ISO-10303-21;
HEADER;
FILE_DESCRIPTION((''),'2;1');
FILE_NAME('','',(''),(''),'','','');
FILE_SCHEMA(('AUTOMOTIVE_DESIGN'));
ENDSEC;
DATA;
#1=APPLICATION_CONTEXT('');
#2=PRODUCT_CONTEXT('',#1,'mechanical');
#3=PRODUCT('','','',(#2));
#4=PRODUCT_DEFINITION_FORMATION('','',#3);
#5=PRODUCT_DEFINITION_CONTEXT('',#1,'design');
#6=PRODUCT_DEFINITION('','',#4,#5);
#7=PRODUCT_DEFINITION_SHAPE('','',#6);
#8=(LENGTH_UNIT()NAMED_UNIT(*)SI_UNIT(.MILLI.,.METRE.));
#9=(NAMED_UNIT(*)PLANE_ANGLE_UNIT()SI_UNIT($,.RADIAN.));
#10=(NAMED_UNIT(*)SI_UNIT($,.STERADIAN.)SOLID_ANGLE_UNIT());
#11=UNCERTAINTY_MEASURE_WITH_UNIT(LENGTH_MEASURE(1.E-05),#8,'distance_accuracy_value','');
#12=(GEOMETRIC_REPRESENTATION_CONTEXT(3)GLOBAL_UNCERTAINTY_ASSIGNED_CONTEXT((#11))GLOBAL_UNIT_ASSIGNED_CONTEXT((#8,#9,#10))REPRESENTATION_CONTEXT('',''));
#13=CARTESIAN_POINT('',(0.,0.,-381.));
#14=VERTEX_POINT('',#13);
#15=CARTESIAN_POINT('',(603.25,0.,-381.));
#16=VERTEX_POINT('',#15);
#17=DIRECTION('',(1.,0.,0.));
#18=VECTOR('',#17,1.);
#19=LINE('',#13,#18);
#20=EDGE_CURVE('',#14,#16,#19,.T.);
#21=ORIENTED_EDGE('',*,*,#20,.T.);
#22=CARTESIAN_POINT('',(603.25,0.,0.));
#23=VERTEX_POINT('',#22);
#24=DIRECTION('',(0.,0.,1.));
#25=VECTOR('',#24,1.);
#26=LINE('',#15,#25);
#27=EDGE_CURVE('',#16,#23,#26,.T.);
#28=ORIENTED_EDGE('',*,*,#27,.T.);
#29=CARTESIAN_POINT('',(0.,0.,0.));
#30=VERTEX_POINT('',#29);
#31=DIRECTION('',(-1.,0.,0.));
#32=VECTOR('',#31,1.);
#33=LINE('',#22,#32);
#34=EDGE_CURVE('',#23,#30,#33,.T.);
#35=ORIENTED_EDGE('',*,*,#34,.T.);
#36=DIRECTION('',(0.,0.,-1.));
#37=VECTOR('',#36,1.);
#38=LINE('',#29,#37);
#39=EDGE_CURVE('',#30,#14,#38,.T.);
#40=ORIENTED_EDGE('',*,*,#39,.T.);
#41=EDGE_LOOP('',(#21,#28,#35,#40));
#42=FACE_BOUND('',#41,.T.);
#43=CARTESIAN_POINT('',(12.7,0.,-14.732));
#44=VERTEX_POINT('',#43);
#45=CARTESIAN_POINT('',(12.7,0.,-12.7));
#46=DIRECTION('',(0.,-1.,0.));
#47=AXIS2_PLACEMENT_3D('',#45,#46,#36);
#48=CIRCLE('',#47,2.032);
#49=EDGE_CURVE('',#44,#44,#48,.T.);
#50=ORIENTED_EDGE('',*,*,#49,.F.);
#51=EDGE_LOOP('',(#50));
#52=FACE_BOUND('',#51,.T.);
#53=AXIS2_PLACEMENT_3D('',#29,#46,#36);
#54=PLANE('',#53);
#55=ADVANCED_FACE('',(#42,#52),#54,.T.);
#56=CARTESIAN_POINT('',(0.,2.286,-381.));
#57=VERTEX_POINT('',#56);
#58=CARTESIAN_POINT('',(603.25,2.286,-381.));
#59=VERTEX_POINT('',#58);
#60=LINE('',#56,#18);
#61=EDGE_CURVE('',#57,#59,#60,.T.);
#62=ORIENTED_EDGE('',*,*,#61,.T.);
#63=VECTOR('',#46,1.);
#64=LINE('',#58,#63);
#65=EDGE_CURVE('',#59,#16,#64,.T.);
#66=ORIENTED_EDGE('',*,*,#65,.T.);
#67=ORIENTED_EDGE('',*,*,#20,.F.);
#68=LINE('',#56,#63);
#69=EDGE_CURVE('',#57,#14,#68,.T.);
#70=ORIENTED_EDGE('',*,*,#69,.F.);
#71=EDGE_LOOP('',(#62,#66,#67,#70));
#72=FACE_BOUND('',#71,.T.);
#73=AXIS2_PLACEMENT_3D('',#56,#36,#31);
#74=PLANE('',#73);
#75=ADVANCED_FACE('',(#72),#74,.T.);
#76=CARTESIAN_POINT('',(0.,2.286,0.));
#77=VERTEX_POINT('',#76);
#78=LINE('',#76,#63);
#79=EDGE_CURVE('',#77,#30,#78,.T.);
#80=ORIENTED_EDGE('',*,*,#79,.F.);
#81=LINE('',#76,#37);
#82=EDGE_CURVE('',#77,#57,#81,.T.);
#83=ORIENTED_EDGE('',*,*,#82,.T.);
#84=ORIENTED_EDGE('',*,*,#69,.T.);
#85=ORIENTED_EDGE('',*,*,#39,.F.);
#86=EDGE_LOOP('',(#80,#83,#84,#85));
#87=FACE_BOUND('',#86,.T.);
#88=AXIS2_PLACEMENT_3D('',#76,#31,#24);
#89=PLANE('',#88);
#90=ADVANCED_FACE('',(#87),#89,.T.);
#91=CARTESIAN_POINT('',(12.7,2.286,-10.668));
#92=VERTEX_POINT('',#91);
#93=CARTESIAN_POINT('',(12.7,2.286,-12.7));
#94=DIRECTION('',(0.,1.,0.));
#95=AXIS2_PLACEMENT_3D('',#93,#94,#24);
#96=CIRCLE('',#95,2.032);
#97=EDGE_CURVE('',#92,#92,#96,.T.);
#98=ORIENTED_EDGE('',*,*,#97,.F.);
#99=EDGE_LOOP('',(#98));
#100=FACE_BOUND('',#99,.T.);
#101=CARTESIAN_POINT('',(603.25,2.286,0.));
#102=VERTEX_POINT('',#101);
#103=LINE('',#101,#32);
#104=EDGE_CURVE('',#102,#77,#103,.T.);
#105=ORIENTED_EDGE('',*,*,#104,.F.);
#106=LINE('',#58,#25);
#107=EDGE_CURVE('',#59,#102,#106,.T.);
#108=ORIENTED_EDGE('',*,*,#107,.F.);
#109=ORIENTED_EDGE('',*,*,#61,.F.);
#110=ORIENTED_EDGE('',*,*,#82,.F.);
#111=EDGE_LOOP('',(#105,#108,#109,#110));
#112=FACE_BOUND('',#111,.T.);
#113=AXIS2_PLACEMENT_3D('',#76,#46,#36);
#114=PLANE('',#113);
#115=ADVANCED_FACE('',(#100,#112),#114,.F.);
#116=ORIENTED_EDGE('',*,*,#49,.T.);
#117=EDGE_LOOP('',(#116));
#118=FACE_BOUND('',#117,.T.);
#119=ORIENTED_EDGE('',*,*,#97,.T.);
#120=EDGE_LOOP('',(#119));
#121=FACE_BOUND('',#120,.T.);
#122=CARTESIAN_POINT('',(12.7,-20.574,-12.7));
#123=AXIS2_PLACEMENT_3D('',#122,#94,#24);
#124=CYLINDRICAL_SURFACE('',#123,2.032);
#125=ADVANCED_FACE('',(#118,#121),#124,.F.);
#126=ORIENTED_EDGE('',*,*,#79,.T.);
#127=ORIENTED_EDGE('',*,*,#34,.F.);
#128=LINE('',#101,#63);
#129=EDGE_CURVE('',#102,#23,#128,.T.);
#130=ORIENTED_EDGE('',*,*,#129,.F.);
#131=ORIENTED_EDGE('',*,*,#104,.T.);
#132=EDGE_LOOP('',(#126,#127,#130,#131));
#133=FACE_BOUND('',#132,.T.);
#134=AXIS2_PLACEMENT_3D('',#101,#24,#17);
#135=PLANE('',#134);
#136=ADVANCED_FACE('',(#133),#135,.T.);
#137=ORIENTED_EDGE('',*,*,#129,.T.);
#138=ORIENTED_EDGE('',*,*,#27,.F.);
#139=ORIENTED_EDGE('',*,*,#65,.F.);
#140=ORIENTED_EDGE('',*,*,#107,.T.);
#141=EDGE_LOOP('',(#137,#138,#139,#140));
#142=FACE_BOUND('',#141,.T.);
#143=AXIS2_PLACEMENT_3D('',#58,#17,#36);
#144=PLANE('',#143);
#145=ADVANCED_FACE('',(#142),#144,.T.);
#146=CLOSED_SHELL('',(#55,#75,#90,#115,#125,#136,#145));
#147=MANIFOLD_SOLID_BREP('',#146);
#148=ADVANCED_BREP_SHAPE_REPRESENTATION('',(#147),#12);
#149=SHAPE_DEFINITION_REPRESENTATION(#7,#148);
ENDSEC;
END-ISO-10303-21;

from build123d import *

# Parameters (mm, degrees)
SKETCH1_W           = 603.25
SKETCH1_H           = 381
BOSS_EXTRUDE1_DEPTH = 2.286
SKETCH2_R           = 2.032
CUT_EXTRUDE1_DEPTH  = 22.86


with BuildPart() as part:
    # Sketch1 → Boss-Extrude1 (new body)
    with BuildSketch(Plane(origin=(0, 0, 0), x_dir=(1, 0, 0), z_dir=(0, 1, 0))):
        with Locations((301.625, 190.5)):
            Rectangle(SKETCH1_W, SKETCH1_H)
    extrude(amount=BOSS_EXTRUDE1_DEPTH)

    # Sketch2 → Cut-Extrude1 (cut)
    with BuildSketch(Plane(origin=(0, 2.286, 0), x_dir=(1, 0, 0), z_dir=(0, 1, 0))):
        with Locations(Location((12.7, 12.7, 0), (0, 0, 270))):
            Circle(SKETCH2_R)
    extrude(amount=-CUT_EXTRUDE1_DEPTH, mode=Mode.SUBTRACT)


solid = part.part
